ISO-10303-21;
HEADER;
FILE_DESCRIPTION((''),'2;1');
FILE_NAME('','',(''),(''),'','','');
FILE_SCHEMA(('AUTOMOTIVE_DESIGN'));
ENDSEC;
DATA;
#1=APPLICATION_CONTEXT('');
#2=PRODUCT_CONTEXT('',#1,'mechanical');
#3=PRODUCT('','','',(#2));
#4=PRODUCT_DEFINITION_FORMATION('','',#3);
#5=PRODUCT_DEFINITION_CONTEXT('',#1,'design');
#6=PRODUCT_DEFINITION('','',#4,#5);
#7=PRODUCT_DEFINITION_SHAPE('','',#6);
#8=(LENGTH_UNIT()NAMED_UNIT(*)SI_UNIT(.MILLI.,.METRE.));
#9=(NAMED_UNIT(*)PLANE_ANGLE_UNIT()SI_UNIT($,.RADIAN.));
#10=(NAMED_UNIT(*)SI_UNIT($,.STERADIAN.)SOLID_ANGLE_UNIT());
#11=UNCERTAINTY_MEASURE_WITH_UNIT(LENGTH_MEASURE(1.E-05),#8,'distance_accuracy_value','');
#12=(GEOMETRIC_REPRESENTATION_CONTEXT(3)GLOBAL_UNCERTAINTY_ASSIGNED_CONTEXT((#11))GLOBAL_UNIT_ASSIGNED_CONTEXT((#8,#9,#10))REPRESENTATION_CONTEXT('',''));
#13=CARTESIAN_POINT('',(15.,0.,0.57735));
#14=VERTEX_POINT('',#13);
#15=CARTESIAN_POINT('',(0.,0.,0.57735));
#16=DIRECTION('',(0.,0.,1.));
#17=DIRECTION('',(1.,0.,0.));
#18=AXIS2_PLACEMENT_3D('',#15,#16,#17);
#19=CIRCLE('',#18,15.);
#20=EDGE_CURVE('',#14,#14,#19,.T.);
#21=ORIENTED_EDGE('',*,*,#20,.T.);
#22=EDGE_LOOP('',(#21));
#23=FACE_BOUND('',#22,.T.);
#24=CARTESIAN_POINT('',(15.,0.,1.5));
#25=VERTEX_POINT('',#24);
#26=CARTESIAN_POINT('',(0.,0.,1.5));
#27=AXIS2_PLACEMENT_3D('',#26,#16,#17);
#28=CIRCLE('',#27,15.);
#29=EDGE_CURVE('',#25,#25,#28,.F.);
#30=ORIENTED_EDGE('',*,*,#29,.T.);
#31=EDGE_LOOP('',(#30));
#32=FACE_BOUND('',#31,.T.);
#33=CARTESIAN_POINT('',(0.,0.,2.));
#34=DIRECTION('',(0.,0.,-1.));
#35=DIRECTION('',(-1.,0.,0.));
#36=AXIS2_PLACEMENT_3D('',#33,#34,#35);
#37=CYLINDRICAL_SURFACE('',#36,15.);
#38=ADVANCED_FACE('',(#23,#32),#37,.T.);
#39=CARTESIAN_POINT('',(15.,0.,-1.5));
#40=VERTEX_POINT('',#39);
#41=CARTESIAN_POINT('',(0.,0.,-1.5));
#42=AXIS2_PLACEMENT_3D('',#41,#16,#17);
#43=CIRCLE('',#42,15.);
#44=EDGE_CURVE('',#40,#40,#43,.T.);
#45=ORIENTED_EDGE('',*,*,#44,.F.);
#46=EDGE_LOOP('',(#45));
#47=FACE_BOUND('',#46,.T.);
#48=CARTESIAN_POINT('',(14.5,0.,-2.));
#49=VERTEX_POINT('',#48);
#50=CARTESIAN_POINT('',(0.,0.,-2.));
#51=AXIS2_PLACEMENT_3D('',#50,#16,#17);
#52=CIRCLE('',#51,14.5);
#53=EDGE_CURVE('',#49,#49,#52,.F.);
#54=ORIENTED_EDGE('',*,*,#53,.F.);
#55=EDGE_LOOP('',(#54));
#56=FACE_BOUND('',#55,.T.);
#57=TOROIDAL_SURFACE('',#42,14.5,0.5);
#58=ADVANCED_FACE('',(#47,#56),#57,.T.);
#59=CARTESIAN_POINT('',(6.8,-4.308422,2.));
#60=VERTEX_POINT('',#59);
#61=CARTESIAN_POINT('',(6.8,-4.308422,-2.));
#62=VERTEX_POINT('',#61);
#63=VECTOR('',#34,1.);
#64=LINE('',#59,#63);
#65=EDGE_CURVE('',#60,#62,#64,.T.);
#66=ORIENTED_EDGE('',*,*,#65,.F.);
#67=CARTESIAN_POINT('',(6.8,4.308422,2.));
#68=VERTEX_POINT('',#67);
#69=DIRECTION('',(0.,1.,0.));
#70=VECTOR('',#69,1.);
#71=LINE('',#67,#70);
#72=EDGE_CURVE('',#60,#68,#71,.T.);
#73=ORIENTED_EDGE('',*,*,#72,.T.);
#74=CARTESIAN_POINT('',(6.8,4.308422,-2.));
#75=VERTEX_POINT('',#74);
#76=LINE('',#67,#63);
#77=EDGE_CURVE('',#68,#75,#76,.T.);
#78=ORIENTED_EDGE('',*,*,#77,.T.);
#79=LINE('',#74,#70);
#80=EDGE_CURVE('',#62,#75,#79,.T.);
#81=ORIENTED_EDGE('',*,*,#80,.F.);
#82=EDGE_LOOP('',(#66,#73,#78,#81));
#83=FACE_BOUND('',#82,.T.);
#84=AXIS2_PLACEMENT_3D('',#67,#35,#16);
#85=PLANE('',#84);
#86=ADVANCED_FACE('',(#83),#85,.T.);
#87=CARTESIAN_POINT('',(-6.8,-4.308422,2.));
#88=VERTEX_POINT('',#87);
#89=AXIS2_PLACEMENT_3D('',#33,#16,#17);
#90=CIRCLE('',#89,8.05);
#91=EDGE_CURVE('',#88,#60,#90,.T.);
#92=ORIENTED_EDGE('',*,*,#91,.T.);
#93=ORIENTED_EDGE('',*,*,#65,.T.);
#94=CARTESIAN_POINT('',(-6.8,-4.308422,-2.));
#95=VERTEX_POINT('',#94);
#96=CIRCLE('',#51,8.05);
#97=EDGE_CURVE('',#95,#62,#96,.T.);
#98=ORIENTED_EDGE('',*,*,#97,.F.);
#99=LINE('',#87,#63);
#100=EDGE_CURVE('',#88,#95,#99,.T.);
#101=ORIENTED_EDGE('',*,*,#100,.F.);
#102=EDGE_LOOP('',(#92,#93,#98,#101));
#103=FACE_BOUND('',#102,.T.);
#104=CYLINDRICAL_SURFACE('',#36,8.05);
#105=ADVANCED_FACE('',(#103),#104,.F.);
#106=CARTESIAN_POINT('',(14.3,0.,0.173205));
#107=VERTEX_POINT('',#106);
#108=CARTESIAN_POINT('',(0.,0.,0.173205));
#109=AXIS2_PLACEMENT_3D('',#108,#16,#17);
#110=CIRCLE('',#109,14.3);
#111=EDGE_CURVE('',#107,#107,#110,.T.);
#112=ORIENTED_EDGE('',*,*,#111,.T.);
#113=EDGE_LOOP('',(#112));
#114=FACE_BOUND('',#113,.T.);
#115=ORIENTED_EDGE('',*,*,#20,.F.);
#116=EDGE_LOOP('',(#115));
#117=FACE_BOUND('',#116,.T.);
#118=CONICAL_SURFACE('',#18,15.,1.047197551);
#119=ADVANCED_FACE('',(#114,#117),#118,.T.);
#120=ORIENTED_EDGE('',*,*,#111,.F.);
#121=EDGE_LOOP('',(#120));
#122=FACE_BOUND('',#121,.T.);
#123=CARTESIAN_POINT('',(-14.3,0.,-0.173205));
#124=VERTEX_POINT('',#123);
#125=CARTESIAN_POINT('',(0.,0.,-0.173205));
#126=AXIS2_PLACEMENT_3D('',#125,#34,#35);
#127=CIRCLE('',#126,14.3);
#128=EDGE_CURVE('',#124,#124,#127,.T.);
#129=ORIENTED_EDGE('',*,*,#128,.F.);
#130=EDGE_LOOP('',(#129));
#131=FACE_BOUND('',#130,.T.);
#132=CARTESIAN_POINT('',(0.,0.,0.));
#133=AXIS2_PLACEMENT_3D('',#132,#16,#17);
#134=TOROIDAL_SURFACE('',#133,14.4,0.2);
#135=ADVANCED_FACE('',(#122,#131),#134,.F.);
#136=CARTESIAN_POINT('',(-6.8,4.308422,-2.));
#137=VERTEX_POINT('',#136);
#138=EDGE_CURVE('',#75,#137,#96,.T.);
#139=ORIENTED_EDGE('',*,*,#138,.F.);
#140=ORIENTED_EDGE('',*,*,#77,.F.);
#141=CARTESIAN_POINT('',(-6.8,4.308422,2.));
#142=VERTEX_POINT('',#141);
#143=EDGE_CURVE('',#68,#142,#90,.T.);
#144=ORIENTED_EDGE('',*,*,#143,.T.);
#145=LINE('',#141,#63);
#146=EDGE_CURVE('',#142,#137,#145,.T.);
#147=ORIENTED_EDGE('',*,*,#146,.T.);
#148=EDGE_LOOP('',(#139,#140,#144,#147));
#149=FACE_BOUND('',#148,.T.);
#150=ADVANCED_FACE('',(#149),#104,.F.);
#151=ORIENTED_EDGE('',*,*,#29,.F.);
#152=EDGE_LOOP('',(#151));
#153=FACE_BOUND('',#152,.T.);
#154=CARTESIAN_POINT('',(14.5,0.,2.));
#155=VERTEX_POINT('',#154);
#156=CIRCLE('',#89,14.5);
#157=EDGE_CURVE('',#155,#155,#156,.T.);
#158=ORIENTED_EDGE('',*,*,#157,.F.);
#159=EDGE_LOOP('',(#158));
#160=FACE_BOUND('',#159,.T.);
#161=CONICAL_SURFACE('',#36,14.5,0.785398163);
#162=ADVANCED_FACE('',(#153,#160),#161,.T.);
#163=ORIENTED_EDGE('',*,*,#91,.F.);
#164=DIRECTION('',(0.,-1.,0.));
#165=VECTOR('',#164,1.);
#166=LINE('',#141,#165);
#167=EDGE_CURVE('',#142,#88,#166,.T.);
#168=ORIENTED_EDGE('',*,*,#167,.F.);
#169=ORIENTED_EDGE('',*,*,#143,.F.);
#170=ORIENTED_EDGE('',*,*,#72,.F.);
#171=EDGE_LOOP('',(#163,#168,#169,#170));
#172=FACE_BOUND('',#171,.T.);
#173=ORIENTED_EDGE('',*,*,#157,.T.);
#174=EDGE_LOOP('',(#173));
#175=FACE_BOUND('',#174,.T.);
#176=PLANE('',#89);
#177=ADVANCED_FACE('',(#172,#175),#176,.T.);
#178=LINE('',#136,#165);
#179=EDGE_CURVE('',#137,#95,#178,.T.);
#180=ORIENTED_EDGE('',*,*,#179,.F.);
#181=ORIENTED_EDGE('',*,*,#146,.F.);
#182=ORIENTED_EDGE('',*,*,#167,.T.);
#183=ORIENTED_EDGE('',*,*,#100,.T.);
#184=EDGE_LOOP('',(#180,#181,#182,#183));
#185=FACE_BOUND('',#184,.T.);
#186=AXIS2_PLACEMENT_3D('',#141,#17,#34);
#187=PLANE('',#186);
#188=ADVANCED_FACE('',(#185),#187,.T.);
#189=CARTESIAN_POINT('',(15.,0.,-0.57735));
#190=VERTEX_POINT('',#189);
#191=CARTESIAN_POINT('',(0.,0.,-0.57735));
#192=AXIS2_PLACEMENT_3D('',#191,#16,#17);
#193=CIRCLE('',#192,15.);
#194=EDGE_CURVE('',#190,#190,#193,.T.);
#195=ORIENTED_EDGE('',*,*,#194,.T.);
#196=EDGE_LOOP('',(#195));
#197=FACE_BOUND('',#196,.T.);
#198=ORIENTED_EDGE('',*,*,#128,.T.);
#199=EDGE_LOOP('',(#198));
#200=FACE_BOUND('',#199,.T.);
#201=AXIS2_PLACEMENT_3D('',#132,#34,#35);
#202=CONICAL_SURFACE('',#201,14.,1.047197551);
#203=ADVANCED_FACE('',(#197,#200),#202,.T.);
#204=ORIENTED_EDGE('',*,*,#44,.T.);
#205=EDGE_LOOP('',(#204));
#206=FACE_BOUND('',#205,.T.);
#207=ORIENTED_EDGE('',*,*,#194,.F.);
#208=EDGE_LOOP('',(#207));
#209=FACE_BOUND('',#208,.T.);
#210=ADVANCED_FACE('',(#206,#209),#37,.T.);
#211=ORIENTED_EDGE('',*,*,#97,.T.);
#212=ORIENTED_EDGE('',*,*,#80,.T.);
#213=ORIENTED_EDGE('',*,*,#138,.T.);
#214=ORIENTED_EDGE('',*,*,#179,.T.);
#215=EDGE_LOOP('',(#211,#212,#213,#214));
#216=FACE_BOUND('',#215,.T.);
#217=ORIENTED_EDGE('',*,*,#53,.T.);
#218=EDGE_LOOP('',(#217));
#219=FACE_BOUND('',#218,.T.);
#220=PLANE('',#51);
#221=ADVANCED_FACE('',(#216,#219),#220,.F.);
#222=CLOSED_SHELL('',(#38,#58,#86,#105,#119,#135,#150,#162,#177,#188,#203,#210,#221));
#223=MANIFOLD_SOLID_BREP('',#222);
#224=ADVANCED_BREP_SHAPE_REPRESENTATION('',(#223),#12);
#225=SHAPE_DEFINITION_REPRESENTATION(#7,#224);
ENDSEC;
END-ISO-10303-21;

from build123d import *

# Parameters (mm, degrees)
SKETCH_1_R      = 15
EXTRUDE_2_DEPTH = 2
FILLET_1_R      = 0.2
CHAMFER_1_SIZE  = 0.5
FILLET_2_R      = 0.5


with BuildPart() as part:
    # Эскиз1 → Бобышка-Вытянуть2 (new, symmetric)
    with BuildSketch(Plane.XY):
        Circle(SKETCH_1_R)
        with BuildLine():
            Line((6.8, 4.308421985), (6.8, -4.308421985))
            ThreePointArc((6.8, -4.308421985), (0, -8.05), (-6.8, -4.308421985))
            Line((-6.8, -4.308421985), (-6.8, 4.308421985))
            ThreePointArc((-6.8, 4.308421985), (0, 8.05), (6.8, 4.308421985))
        make_face(mode=Mode.SUBTRACT)
    extrude(amount=EXTRUDE_2_DEPTH, both=True)

    # Эскиз2 → Вырез-Повернуть1 (revolve, cut)
    with BuildSketch(Plane(origin=(0, 0, 0), x_dir=(0, 0, -1), z_dir=(1, 0, 0)), mode=Mode.PRIVATE) as cut_revolve_1_sk:
        Polygon((-0.577350269, 15), (0.577350269, 15), (0, 14), align=None)
    revolve(cut_revolve_1_sk.sketch.rotate(Axis((0, 0, 3.24866267), (0, 0, -1)), 90), axis=Axis((0, 0, 3.24866267), (0, 0, -1)), mode=Mode.SUBTRACT)

    # Скругление1
    fillet_1_edges = [part.edges().sort_by_distance(p)[0] for p in [
        (-14, 0, 0),
    ]]
    fillet(fillet_1_edges, radius=FILLET_1_R)

    # Фаска1
    chamfer_1_edges = [part.edges().sort_by_distance(p)[0] for p in [
        (-15, 0, 2),
    ]]
    chamfer(chamfer_1_edges, length=CHAMFER_1_SIZE)

    # Скругление2
    fillet_2_edges = [part.edges().sort_by_distance(p)[0] for p in [
        (-15, 0, -2),
    ]]
    fillet(fillet_2_edges, radius=FILLET_2_R)


solid = part.part
